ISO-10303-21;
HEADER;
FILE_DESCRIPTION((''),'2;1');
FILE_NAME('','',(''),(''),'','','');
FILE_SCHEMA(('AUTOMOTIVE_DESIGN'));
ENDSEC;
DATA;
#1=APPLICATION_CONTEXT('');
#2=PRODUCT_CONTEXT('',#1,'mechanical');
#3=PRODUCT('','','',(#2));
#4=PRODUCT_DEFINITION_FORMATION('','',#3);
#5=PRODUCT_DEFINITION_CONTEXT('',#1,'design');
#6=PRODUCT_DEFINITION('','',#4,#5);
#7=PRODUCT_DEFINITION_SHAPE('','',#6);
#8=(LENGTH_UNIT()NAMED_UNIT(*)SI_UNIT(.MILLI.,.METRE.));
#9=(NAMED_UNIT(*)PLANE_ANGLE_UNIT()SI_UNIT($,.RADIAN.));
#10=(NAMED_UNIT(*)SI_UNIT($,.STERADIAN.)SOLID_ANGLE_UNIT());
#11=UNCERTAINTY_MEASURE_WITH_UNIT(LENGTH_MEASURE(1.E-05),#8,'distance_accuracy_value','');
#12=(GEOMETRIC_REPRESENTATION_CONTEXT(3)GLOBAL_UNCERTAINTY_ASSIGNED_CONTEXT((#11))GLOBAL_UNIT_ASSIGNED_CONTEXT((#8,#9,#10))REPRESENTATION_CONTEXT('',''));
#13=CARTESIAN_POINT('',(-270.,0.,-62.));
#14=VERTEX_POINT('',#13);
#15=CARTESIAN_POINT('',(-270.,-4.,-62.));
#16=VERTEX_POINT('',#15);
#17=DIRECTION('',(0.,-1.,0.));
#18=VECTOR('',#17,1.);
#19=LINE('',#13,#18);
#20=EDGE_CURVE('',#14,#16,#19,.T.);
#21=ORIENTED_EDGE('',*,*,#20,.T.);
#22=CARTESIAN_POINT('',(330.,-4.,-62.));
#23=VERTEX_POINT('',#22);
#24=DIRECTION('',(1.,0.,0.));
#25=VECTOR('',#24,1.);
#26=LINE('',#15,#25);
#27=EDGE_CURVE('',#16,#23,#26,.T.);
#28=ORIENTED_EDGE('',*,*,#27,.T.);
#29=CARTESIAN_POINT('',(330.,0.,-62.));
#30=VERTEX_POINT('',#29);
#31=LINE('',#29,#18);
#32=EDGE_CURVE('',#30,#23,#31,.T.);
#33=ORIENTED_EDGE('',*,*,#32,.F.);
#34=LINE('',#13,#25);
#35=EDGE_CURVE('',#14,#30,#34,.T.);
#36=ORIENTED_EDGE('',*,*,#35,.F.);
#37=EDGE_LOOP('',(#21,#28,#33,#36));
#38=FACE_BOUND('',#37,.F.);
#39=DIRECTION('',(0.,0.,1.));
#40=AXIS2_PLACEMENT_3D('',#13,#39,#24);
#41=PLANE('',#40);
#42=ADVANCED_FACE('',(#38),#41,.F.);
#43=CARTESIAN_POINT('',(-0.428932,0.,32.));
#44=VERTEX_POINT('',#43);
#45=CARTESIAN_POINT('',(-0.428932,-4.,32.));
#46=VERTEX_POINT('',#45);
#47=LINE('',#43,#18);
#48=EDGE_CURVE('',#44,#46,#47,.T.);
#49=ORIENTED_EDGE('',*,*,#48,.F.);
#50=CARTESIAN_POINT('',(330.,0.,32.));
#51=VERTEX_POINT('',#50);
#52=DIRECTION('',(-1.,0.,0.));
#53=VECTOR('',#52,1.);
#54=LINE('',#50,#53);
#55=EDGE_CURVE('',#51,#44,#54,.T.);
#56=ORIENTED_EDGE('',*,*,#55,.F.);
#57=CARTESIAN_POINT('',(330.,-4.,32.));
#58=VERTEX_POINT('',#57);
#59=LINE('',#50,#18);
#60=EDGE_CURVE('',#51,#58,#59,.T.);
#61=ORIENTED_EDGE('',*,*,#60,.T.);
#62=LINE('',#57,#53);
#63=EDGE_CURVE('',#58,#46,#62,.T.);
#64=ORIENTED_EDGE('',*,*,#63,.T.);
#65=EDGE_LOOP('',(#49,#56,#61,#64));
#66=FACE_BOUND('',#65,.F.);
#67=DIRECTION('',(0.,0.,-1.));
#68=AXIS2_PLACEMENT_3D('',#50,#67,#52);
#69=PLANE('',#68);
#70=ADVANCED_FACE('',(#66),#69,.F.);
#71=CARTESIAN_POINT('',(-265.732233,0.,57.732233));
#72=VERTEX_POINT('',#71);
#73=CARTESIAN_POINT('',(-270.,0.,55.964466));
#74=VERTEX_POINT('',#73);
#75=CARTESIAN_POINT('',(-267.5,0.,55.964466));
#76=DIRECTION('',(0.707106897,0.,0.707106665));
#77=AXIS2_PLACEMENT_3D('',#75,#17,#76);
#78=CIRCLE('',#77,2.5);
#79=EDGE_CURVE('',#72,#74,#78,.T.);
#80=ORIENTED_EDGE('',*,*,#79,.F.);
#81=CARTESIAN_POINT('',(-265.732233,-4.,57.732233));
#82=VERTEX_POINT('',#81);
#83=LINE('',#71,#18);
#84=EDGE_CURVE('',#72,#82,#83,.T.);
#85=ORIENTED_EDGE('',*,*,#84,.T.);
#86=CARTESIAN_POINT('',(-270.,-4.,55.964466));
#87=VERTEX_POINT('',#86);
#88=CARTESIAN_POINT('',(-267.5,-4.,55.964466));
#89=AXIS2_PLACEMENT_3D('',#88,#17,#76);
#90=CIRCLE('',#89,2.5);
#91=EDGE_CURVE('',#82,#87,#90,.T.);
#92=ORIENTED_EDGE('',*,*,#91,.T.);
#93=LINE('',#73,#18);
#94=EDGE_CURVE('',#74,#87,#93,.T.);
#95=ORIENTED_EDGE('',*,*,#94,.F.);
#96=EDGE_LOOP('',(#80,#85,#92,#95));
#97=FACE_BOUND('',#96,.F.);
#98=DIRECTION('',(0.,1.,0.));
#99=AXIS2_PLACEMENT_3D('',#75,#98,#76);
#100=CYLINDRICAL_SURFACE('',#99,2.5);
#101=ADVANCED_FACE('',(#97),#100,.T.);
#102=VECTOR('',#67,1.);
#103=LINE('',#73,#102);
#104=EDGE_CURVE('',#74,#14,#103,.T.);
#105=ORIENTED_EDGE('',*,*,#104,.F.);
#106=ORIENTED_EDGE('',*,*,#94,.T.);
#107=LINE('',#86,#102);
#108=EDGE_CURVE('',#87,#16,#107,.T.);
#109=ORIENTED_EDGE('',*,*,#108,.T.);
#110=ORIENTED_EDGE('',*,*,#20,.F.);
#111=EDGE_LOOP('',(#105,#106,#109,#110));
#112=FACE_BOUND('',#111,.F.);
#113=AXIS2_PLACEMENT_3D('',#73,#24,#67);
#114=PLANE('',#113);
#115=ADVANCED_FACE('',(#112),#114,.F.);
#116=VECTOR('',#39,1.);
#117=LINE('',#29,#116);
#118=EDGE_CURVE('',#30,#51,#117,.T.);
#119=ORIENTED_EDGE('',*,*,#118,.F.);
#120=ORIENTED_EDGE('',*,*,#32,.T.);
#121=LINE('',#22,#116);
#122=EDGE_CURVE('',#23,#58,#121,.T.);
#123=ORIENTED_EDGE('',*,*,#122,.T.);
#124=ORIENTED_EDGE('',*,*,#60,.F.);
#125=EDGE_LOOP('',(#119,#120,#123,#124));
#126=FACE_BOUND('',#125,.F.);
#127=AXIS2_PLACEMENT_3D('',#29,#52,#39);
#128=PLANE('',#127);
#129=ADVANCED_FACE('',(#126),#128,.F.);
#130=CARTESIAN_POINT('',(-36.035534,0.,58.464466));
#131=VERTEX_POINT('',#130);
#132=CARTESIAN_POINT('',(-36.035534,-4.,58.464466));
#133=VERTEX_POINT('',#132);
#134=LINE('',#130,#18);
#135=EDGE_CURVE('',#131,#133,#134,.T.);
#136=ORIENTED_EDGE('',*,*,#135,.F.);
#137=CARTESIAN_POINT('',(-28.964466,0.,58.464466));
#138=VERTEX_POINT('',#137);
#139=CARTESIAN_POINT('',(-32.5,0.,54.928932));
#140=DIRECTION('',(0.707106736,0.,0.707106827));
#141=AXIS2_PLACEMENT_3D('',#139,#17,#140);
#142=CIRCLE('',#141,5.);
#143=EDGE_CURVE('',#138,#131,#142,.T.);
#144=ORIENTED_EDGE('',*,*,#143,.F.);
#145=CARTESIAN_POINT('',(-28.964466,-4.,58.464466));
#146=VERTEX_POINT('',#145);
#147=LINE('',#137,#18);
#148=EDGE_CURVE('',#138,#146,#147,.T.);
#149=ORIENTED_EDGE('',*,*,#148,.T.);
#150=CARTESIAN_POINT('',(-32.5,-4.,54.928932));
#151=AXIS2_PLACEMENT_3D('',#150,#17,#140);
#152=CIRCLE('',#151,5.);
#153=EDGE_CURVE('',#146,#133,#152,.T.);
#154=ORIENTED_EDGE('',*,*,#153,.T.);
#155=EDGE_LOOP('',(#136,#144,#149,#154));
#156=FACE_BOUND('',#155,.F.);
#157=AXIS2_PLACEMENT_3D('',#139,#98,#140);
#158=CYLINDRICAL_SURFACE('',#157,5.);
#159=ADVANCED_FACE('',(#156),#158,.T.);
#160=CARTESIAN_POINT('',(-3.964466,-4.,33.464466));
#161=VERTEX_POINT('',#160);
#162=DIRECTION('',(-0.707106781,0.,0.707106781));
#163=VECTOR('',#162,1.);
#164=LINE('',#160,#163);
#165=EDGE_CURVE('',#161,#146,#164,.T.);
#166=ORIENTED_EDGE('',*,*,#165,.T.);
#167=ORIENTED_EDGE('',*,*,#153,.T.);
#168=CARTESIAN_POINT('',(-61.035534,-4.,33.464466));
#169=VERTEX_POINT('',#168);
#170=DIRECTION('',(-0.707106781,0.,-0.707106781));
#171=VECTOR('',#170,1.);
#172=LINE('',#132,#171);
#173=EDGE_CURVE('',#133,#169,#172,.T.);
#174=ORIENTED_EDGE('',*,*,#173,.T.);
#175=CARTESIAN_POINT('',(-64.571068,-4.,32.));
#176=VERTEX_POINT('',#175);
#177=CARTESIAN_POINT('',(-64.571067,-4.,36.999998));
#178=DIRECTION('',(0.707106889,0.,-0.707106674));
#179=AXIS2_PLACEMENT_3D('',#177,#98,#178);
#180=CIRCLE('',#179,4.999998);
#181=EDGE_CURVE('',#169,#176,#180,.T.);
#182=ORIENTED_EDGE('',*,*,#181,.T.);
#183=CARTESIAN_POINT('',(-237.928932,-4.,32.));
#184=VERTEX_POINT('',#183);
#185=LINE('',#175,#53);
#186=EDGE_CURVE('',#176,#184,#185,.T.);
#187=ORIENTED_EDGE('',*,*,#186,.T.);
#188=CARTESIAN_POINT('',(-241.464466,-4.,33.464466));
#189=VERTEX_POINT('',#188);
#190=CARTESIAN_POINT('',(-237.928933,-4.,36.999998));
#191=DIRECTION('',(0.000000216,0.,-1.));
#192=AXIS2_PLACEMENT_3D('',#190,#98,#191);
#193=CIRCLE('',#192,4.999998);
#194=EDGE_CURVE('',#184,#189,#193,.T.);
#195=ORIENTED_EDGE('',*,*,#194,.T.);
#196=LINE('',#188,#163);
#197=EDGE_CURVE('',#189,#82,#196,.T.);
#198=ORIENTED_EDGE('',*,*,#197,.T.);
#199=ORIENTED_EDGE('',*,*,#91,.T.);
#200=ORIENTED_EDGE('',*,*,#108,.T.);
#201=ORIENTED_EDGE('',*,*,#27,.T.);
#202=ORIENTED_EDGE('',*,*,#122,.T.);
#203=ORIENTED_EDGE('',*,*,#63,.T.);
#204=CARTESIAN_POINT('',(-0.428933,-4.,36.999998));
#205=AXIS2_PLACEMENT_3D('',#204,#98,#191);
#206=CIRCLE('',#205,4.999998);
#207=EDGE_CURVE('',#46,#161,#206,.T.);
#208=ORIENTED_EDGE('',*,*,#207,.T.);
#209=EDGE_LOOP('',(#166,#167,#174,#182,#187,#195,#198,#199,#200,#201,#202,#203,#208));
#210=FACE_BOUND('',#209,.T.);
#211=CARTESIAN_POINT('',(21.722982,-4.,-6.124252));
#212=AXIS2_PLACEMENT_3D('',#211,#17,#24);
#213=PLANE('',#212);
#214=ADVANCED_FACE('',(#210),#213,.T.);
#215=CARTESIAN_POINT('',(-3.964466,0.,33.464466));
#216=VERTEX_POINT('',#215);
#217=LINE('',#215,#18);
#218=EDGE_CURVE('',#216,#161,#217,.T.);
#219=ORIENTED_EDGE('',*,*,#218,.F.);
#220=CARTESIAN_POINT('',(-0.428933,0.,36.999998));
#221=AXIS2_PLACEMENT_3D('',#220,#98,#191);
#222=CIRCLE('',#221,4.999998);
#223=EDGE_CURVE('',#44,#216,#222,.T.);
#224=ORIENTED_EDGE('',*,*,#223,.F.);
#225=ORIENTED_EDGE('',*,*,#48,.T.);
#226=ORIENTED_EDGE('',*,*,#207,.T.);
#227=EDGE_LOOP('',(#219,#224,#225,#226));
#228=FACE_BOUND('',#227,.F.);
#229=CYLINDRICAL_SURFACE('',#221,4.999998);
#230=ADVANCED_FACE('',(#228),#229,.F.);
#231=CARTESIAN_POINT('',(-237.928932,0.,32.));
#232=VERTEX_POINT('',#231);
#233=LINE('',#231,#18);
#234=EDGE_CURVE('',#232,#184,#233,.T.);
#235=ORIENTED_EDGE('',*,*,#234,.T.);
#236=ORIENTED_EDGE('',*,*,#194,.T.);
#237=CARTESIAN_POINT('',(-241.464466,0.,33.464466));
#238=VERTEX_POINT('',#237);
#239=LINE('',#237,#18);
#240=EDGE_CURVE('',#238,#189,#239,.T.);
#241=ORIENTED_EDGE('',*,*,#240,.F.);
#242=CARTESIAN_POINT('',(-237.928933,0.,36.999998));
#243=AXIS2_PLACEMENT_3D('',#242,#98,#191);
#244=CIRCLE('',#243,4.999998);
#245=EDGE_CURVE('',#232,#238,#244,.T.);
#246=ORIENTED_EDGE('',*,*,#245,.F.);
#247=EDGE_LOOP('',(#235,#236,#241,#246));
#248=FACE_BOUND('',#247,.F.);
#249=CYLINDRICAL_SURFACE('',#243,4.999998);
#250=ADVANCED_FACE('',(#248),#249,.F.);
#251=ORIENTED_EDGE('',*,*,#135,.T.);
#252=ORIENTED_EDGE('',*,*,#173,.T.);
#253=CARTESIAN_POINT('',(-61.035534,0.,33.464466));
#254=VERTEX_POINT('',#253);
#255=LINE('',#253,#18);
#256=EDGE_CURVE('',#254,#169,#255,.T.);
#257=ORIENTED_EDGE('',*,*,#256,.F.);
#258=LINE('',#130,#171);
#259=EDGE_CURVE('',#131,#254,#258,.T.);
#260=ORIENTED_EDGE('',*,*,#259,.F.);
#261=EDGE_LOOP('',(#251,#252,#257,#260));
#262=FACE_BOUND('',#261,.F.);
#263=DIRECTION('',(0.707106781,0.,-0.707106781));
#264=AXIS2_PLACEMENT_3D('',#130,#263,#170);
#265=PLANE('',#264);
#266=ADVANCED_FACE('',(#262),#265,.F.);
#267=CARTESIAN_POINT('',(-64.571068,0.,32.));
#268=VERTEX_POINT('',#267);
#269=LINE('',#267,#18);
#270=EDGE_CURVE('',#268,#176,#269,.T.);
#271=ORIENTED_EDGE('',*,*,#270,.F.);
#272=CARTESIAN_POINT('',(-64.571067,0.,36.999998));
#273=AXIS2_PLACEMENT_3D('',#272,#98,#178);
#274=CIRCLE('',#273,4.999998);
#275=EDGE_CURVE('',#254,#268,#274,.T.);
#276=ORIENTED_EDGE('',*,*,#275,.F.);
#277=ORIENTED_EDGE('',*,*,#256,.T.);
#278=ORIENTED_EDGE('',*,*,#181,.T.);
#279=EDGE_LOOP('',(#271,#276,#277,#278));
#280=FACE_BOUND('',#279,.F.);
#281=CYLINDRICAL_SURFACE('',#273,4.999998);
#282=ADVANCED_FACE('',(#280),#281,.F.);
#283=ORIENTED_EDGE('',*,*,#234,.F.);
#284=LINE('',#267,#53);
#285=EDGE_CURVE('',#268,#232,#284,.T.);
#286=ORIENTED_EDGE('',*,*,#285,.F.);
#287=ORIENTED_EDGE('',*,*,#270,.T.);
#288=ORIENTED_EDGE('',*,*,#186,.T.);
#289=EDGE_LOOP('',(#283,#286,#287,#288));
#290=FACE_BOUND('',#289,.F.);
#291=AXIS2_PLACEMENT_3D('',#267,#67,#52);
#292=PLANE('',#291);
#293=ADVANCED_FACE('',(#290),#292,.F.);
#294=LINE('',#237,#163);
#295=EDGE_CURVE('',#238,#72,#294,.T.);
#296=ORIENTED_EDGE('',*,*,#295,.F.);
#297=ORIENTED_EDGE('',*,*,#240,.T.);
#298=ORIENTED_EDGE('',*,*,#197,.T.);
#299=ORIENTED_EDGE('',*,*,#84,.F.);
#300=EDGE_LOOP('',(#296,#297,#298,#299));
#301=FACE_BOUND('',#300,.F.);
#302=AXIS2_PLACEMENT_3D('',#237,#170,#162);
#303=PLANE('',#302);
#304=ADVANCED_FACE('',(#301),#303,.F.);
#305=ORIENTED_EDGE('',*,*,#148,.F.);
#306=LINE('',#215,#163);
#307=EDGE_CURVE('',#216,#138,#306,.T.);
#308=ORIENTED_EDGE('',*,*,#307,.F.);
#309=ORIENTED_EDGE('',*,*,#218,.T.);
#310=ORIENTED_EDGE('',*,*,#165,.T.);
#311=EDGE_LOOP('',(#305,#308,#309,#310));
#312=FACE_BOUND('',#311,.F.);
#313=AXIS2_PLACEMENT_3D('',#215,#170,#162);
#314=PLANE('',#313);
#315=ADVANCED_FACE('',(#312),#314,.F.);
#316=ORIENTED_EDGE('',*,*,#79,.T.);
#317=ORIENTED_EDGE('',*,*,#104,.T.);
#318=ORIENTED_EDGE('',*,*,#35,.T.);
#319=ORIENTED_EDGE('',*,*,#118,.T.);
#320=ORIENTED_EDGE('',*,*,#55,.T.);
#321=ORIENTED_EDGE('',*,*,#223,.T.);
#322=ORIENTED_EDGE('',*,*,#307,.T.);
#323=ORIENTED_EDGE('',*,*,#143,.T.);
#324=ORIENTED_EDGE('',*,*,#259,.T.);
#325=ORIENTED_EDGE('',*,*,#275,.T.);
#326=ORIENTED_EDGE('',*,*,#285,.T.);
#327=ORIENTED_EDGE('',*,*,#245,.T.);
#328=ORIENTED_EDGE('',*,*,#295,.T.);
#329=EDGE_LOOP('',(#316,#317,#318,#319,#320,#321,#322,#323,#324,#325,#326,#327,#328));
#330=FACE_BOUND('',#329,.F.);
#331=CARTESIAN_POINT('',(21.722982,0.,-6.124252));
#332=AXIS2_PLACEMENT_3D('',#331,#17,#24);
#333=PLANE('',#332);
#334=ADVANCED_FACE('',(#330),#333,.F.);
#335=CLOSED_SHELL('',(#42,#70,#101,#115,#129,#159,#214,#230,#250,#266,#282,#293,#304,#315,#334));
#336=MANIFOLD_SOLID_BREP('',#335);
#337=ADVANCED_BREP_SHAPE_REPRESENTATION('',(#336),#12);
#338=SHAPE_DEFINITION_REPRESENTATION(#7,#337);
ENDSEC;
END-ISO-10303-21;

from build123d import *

# Parameters (mm, degrees)
F0_W     = 50
F0_H     = 80
F1_DEPTH = 4


with BuildPart() as f1:
    # F0 (on Front) → F1 (new body)
    with BuildSketch(Plane.XZ):
        with BuildLine():
            Line((-220, 18), (-220, -62))
            Line((-220, -62), (280, -62))
            Line((280, -62), (280, 18))
            Line((280, 18), (330, 18))
            Line((330, 18), (330, 32))
            Line((330, 32), (285, 32))
            Line((285, 32), (265, 32))
            Line((265, 32), (-0.428932, 32))
            ThreePointArc((-0.428932, 32), (-2.342349, 32.380602), (-3.964466, 33.464466))
            Line((-3.964466, 33.464466), (-28.964466, 58.464466))
            ThreePointArc((-28.964466, 58.464466), (-32.5, 59.928932), (-36.035534, 58.464466))
            Line((-36.035534, 58.464466), (-61.035534, 33.464466))
            ThreePointArc((-61.035534, 33.464466), (-62.657651, 32.380602), (-64.571068, 32))
            Line((-64.571068, 32), (-237.928932, 32))
            ThreePointArc((-237.928932, 32), (-239.842349, 32.380602), (-241.464466, 33.464466))
            Line((-241.464466, 33.464466), (-265.732233, 57.732233))
            ThreePointArc((-265.732233, 57.732233), (-268.456709, 58.274165), (-270, 55.964466))
            Line((-270, 55.964466), (-270, 18))
            Line((-270, 18), (-220, 18))
        make_face()
        with Locations((-245, -22)):
            Rectangle(F0_W, F0_H)
        Polygon((280, 18), (280, -62), (330, -62), (330, 17), (330, 18), align=None)
    extrude(amount=F1_DEPTH)


solid = f1.part
